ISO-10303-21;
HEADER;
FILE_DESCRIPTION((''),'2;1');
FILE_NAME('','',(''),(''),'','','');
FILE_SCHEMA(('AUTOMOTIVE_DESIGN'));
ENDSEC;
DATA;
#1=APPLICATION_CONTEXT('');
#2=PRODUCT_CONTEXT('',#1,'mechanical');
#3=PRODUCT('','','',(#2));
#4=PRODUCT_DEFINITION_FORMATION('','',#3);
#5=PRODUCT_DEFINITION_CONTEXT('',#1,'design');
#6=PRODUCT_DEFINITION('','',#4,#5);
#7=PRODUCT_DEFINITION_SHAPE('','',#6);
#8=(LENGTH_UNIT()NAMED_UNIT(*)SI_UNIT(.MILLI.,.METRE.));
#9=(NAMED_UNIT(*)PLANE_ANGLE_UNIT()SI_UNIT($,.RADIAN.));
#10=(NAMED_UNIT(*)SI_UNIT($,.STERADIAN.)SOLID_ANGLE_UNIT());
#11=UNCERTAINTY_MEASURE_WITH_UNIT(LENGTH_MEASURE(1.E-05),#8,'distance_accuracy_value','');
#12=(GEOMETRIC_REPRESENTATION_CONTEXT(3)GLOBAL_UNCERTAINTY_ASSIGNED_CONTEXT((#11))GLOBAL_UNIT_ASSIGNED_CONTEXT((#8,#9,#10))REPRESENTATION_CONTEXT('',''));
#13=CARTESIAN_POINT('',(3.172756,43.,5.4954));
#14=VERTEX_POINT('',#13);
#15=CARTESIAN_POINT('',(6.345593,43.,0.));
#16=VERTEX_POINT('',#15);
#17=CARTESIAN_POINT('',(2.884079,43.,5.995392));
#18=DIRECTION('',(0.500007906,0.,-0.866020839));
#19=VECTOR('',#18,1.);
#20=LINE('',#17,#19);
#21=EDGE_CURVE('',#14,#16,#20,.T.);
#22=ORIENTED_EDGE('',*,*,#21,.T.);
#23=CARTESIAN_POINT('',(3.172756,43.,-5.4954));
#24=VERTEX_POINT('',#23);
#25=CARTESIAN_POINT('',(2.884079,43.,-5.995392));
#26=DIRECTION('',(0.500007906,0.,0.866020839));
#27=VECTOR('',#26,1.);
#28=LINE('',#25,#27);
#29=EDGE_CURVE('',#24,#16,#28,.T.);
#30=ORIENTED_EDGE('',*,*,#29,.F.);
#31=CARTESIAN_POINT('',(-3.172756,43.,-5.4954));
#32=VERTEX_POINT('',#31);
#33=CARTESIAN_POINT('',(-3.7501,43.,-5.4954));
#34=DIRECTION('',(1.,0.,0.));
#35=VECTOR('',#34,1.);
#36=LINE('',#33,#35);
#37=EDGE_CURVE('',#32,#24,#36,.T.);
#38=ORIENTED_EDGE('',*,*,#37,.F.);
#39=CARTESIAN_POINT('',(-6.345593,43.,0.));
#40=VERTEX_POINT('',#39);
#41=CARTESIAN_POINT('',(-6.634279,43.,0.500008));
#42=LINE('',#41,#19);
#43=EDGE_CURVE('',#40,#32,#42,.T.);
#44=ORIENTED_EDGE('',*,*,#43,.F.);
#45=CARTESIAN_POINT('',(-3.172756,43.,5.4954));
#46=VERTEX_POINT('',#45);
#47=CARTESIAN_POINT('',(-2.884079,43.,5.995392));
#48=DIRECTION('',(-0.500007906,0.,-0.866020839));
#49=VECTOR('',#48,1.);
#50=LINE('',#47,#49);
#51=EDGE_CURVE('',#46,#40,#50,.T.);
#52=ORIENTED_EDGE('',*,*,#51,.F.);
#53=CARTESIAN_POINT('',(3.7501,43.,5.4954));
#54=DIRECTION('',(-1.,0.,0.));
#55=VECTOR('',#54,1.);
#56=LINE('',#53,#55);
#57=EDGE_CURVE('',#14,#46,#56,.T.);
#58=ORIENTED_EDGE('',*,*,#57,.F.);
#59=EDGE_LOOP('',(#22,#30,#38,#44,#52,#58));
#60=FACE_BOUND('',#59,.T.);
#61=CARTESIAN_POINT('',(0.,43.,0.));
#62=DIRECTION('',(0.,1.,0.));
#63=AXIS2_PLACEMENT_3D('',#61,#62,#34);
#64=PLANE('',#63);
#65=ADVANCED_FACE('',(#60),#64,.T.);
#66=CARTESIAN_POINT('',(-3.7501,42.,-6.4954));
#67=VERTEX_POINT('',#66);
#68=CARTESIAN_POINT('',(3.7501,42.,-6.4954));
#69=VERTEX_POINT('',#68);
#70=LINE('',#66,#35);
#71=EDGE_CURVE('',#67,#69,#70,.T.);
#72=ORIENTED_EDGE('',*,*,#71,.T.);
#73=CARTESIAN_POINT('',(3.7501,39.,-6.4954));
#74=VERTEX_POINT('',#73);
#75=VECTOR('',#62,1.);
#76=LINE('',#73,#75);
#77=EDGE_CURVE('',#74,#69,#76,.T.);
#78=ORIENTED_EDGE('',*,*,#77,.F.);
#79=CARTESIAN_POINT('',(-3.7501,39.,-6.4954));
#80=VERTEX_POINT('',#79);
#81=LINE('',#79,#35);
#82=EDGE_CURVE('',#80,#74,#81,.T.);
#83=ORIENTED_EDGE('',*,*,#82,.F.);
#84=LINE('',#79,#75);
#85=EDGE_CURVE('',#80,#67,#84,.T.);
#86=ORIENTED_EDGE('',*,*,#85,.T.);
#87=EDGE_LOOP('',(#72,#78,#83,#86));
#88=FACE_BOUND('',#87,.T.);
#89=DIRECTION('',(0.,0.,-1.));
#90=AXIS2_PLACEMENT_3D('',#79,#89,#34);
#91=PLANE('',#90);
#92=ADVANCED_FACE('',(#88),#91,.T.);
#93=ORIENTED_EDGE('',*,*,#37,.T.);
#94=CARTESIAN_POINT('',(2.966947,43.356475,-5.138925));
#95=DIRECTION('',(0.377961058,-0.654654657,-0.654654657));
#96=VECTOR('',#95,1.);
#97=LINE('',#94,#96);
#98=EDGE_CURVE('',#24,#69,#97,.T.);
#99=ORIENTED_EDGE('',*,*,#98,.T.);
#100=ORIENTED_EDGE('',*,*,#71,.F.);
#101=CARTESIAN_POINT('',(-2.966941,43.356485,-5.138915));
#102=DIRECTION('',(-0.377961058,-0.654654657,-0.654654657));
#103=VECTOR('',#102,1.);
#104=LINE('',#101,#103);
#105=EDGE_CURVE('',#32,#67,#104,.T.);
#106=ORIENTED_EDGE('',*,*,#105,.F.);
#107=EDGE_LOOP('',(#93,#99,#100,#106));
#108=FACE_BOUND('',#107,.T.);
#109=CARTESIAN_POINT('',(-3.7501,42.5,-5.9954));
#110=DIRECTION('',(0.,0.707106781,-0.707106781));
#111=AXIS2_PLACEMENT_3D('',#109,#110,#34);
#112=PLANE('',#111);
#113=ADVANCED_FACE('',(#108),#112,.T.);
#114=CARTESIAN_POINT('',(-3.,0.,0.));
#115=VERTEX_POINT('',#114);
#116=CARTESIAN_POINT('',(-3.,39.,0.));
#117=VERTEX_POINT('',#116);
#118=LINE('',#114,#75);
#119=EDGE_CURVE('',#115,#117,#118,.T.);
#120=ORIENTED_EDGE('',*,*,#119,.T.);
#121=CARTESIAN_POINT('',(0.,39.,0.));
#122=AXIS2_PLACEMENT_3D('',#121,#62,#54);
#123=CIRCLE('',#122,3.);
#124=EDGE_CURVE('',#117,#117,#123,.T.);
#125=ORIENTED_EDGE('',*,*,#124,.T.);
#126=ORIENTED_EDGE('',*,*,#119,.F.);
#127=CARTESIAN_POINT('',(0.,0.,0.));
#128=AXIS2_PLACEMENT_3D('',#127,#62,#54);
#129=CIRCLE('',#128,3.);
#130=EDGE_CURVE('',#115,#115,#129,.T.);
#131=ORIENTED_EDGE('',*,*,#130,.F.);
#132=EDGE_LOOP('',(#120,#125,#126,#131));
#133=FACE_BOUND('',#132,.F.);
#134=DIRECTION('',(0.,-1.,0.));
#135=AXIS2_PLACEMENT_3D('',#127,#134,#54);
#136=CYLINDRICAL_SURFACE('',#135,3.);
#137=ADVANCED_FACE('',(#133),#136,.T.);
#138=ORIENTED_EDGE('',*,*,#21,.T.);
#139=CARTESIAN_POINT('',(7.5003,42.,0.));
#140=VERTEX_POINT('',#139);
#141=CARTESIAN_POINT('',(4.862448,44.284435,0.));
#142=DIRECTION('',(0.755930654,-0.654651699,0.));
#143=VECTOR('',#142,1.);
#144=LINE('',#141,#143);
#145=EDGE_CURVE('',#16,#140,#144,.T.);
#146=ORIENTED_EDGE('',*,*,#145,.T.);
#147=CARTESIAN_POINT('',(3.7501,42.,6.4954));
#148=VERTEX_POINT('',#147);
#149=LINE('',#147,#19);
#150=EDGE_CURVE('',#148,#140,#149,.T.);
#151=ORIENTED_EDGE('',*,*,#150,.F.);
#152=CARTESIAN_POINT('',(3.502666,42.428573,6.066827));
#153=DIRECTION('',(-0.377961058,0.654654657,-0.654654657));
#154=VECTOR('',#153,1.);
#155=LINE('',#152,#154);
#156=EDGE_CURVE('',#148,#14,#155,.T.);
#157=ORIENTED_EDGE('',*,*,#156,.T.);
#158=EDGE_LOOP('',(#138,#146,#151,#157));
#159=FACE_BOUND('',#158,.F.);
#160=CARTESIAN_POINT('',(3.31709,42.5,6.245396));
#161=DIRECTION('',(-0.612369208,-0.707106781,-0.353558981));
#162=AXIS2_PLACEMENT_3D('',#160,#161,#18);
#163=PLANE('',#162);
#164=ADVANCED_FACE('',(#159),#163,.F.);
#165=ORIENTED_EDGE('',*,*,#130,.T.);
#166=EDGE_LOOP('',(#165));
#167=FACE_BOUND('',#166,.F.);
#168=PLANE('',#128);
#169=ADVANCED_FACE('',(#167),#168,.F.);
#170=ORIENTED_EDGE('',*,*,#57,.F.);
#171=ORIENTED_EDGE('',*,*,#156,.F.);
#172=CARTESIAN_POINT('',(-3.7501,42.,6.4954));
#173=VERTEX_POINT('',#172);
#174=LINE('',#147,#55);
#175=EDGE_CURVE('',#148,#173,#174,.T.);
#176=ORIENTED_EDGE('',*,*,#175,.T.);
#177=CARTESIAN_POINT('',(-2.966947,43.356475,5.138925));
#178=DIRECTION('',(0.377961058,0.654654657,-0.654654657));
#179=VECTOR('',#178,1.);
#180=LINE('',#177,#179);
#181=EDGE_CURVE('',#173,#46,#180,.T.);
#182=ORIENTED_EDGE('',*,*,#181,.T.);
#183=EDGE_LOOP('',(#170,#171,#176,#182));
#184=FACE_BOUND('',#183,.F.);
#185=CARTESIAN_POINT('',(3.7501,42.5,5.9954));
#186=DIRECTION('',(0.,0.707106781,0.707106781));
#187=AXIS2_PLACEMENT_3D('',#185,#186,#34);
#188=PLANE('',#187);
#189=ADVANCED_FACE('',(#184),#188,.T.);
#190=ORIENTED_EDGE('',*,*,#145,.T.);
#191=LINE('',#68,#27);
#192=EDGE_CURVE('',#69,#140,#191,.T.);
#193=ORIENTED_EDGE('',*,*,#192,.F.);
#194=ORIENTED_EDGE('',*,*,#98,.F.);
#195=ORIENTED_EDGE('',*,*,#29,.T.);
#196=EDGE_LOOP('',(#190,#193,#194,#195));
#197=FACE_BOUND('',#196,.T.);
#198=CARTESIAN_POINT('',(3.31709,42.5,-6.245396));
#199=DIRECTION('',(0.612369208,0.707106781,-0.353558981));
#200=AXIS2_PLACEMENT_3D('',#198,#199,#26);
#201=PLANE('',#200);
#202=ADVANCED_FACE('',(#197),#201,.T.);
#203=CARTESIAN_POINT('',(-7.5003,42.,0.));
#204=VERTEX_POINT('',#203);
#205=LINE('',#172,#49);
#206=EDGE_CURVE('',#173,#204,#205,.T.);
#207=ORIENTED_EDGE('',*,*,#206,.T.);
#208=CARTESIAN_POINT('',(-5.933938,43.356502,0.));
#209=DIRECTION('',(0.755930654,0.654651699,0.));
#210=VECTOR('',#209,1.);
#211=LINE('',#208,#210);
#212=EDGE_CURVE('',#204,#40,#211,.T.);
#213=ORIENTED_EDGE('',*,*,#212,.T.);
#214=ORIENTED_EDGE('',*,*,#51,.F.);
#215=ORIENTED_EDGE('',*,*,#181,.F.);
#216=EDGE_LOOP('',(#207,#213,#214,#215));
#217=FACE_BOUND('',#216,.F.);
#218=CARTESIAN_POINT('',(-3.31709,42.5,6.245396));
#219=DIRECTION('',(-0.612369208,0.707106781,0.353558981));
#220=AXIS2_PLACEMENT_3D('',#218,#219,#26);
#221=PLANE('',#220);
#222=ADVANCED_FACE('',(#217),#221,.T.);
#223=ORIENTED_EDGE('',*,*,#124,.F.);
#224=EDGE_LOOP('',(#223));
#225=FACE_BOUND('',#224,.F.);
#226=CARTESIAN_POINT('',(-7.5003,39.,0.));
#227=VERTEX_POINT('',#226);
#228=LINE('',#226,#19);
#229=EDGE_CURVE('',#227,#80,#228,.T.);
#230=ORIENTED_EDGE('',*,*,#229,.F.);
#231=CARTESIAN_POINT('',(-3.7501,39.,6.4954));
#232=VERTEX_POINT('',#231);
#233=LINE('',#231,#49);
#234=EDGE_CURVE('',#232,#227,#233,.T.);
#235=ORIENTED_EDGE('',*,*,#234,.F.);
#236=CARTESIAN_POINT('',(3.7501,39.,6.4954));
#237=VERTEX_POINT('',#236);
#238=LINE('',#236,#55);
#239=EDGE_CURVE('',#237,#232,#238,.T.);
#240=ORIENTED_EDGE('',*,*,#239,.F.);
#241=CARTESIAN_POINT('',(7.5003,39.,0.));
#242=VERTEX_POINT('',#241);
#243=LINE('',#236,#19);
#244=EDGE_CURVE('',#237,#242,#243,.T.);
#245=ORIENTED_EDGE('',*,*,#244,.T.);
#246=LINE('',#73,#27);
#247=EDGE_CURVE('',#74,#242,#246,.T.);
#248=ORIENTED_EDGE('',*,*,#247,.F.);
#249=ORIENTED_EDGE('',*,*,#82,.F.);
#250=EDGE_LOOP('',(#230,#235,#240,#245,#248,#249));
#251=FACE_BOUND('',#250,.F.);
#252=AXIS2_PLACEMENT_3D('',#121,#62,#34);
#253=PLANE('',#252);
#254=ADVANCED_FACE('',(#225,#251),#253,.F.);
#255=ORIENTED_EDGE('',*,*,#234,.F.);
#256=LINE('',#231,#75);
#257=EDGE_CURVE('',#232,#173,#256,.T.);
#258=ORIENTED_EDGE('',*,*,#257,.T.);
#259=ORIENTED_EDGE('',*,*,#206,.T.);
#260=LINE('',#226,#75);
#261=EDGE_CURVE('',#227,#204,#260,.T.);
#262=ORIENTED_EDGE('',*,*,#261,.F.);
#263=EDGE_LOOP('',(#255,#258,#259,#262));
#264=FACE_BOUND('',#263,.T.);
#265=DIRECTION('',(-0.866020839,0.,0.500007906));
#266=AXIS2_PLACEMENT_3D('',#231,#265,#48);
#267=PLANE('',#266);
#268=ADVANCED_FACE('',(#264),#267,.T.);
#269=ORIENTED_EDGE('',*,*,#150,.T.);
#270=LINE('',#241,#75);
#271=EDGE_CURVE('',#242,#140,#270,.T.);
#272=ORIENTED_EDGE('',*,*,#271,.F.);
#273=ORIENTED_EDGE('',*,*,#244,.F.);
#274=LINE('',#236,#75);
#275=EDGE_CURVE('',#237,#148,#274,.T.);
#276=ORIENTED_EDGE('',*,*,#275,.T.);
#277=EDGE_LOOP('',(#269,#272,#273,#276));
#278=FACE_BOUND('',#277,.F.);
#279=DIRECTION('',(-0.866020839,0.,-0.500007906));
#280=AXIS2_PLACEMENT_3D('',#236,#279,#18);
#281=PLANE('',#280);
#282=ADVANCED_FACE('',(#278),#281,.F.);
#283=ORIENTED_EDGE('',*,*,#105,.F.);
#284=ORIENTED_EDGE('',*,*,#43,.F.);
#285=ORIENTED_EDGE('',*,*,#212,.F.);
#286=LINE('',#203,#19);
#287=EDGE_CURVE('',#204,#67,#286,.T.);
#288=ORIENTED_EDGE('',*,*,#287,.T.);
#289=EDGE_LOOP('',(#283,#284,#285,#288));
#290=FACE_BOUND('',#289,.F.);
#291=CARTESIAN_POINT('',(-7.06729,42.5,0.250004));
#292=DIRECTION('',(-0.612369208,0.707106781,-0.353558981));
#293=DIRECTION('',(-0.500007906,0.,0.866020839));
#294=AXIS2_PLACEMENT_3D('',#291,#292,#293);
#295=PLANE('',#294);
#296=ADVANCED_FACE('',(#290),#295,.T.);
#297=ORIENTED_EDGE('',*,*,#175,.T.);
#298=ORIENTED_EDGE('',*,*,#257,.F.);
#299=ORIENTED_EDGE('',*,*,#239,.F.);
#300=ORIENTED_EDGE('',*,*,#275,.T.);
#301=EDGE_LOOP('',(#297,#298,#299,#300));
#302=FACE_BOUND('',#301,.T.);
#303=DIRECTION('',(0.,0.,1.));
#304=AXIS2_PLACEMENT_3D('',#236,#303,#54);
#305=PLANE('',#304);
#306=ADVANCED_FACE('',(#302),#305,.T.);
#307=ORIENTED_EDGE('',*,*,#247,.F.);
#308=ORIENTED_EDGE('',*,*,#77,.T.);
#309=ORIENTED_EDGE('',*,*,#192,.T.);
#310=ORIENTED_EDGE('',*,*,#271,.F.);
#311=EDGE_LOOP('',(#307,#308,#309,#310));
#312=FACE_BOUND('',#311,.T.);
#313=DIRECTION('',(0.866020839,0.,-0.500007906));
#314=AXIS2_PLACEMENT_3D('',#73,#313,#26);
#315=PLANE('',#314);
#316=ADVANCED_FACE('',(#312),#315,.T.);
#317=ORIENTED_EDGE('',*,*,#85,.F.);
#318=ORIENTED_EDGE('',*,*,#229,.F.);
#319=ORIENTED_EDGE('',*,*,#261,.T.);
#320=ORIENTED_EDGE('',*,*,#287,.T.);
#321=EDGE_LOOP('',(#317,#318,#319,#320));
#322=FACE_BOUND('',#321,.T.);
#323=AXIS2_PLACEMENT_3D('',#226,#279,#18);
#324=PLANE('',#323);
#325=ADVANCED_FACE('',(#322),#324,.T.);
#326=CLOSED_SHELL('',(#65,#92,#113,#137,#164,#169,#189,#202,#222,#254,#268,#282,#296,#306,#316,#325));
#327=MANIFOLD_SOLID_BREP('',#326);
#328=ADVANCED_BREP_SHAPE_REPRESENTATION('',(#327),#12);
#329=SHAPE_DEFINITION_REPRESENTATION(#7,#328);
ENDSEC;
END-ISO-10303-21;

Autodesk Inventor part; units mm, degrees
ref_plane "YZ Plane" through (0, 0, 0) normal (1, 0, 0) x (0, 1, 0)
ref_plane "XZ Plane" through (0, 0, 0) normal (0, 1, 0) x (-1, 0, 0)
ref_plane "XY Plane" through (0, 0, 0) normal (0, 0, 1) x (1, 0, 0)
sketch "Sketch1" plane through (0, 0, 0) normal (0, 1, 0) x (-1, 0, 0)
  circle A0 centre (0, 0) radius 3
  dimension "d0" = 6
extrude "Extrusion1" add sketch "Sketch1" along normal blind 39
sketch "Sketch2" plane through (0, 39, 0) normal (0, 1, 0) x (1, 0, 0)
  line L0 (-3.7501, -6.4954) -> (-7.5003, 0)
  line L1 (-7.5003, 0) -> (-3.7501, 6.4954)
  line L2 (-7.5003, 0) -> (0, 0) construction
  line L3 (-3.7501, 6.4954) -> (3.7501, 6.4954)
  line L4 (3.7501, 6.4954) -> (7.5003, 0)
  line L5 (3.7501, -6.4954) -> (7.5003, 0)
  line L6 (3.7501, -6.4954) -> (-3.7501, 6.4954) construction
  line L7 (3.7501, 6.4954) -> (-3.7501, -6.4954) construction
  line L8 (7.5003, 0) -> (-7.5003, 0) construction
  line L9 (3.7501, -6.4954) -> (-3.7501, -6.4954)
  dimension "d13" = 7.5003
  dimension "d18" = 7.5003
  dimension "d19" = 60
  dimension "d20" = 7.5003
  dimension "d21" = 120
  dimension "d22" = 120
extrude "Extrusion2" add sketch "Sketch2" along normal blind 4
thread "Thread2" size "1/4-20 UNC" class "2A" standard "ANSI Unified Screw Threads" full length
chamfer "Chamfer1" distance 1 angle 45 6 edges at (0, 43, 6.4954) (5.6252, 43, 3.2477) (5.6252, 43, -3.2477) (0, 43, -6.4954) (-5.6252, 43, -3.2477) (-5.6252, 43, 3.2477)
equation "\"d13\" = d9"
equation "\"d18\" = d13"
equation "\"d20\" = d9"
equation "\"d9\" = 7.500278"
properties part number "Bolt" material "Aluminum 6061-AHC"
